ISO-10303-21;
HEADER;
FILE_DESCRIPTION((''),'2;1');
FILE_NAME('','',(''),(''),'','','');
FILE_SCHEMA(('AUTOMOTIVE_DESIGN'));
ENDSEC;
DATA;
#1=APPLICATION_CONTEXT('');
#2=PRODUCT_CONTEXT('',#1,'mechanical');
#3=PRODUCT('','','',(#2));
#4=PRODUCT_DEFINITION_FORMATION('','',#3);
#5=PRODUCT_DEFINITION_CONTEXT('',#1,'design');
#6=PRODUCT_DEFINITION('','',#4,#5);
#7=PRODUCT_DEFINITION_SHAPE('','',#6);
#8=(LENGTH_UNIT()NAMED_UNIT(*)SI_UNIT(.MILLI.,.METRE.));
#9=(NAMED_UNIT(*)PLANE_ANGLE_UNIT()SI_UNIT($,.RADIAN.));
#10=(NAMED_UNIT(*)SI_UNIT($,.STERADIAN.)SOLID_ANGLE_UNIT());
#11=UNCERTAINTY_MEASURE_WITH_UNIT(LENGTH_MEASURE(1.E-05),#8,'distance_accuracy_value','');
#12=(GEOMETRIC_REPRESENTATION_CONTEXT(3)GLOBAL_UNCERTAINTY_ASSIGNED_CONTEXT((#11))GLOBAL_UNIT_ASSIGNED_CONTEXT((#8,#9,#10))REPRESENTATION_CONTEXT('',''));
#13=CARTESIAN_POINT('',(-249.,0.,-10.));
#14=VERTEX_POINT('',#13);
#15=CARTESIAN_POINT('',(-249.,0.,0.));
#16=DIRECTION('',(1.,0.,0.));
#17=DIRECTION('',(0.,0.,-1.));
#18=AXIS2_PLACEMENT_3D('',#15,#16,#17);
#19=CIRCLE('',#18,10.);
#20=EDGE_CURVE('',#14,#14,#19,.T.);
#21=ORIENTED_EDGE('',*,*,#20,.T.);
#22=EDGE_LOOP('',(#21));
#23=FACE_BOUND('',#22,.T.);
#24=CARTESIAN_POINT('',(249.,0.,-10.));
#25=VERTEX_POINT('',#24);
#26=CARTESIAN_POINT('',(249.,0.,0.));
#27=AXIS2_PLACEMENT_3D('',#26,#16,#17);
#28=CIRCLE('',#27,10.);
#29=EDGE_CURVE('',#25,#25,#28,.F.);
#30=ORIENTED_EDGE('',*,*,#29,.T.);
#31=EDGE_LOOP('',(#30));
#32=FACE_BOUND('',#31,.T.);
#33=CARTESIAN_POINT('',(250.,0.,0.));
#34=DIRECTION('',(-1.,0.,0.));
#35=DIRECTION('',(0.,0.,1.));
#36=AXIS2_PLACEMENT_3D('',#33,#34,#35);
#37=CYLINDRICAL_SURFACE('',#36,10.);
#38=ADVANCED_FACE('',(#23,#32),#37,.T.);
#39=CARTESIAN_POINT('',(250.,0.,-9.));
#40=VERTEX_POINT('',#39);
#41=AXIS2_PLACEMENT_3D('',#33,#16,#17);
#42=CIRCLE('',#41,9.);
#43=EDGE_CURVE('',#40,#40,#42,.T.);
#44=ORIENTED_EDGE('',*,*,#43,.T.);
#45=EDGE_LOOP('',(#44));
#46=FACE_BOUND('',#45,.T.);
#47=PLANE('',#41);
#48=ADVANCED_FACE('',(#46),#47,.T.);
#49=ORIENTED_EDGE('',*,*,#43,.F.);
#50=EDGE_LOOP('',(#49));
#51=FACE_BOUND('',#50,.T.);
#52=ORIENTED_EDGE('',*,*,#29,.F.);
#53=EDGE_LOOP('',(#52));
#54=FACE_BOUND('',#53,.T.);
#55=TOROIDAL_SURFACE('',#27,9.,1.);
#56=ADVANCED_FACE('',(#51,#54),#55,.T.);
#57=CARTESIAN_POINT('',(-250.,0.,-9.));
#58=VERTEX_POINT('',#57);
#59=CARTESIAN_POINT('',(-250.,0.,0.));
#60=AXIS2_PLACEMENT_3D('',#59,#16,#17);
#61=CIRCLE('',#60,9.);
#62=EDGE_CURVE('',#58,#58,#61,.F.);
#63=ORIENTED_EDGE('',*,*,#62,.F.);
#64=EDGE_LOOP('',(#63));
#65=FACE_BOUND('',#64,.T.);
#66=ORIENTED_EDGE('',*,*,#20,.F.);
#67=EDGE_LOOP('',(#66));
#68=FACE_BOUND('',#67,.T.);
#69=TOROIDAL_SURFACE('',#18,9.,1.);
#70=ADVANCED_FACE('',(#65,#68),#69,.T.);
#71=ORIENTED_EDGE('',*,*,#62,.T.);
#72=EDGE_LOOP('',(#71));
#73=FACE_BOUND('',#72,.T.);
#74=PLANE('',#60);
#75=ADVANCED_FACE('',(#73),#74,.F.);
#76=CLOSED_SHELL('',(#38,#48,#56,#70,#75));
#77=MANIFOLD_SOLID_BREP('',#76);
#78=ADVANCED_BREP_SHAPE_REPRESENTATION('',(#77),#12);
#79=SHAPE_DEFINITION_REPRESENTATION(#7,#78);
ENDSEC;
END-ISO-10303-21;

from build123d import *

# Parameters (mm, degrees)
CROQUIS1_R              = 10
SALIENTE_EXTRUIR1_DEPTH = 250
REDONDEO1_R             = 1


with BuildPart() as part:
    # Croquis1 → Saliente-Extruir1 (new, symmetric)
    with BuildSketch(Plane(origin=(0, 0, 0), x_dir=(0, 0, -1), z_dir=(1, 0, 0))):
        Circle(CROQUIS1_R)
    extrude(amount=SALIENTE_EXTRUIR1_DEPTH, both=True)

    # Redondeo1
    redondeo1_edges = [part.edges().sort_by_distance(p)[0] for p in [
        (-250, 0, 10),
        (250, 0, 10),
    ]]
    fillet(redondeo1_edges, radius=REDONDEO1_R)


solid = part.part
